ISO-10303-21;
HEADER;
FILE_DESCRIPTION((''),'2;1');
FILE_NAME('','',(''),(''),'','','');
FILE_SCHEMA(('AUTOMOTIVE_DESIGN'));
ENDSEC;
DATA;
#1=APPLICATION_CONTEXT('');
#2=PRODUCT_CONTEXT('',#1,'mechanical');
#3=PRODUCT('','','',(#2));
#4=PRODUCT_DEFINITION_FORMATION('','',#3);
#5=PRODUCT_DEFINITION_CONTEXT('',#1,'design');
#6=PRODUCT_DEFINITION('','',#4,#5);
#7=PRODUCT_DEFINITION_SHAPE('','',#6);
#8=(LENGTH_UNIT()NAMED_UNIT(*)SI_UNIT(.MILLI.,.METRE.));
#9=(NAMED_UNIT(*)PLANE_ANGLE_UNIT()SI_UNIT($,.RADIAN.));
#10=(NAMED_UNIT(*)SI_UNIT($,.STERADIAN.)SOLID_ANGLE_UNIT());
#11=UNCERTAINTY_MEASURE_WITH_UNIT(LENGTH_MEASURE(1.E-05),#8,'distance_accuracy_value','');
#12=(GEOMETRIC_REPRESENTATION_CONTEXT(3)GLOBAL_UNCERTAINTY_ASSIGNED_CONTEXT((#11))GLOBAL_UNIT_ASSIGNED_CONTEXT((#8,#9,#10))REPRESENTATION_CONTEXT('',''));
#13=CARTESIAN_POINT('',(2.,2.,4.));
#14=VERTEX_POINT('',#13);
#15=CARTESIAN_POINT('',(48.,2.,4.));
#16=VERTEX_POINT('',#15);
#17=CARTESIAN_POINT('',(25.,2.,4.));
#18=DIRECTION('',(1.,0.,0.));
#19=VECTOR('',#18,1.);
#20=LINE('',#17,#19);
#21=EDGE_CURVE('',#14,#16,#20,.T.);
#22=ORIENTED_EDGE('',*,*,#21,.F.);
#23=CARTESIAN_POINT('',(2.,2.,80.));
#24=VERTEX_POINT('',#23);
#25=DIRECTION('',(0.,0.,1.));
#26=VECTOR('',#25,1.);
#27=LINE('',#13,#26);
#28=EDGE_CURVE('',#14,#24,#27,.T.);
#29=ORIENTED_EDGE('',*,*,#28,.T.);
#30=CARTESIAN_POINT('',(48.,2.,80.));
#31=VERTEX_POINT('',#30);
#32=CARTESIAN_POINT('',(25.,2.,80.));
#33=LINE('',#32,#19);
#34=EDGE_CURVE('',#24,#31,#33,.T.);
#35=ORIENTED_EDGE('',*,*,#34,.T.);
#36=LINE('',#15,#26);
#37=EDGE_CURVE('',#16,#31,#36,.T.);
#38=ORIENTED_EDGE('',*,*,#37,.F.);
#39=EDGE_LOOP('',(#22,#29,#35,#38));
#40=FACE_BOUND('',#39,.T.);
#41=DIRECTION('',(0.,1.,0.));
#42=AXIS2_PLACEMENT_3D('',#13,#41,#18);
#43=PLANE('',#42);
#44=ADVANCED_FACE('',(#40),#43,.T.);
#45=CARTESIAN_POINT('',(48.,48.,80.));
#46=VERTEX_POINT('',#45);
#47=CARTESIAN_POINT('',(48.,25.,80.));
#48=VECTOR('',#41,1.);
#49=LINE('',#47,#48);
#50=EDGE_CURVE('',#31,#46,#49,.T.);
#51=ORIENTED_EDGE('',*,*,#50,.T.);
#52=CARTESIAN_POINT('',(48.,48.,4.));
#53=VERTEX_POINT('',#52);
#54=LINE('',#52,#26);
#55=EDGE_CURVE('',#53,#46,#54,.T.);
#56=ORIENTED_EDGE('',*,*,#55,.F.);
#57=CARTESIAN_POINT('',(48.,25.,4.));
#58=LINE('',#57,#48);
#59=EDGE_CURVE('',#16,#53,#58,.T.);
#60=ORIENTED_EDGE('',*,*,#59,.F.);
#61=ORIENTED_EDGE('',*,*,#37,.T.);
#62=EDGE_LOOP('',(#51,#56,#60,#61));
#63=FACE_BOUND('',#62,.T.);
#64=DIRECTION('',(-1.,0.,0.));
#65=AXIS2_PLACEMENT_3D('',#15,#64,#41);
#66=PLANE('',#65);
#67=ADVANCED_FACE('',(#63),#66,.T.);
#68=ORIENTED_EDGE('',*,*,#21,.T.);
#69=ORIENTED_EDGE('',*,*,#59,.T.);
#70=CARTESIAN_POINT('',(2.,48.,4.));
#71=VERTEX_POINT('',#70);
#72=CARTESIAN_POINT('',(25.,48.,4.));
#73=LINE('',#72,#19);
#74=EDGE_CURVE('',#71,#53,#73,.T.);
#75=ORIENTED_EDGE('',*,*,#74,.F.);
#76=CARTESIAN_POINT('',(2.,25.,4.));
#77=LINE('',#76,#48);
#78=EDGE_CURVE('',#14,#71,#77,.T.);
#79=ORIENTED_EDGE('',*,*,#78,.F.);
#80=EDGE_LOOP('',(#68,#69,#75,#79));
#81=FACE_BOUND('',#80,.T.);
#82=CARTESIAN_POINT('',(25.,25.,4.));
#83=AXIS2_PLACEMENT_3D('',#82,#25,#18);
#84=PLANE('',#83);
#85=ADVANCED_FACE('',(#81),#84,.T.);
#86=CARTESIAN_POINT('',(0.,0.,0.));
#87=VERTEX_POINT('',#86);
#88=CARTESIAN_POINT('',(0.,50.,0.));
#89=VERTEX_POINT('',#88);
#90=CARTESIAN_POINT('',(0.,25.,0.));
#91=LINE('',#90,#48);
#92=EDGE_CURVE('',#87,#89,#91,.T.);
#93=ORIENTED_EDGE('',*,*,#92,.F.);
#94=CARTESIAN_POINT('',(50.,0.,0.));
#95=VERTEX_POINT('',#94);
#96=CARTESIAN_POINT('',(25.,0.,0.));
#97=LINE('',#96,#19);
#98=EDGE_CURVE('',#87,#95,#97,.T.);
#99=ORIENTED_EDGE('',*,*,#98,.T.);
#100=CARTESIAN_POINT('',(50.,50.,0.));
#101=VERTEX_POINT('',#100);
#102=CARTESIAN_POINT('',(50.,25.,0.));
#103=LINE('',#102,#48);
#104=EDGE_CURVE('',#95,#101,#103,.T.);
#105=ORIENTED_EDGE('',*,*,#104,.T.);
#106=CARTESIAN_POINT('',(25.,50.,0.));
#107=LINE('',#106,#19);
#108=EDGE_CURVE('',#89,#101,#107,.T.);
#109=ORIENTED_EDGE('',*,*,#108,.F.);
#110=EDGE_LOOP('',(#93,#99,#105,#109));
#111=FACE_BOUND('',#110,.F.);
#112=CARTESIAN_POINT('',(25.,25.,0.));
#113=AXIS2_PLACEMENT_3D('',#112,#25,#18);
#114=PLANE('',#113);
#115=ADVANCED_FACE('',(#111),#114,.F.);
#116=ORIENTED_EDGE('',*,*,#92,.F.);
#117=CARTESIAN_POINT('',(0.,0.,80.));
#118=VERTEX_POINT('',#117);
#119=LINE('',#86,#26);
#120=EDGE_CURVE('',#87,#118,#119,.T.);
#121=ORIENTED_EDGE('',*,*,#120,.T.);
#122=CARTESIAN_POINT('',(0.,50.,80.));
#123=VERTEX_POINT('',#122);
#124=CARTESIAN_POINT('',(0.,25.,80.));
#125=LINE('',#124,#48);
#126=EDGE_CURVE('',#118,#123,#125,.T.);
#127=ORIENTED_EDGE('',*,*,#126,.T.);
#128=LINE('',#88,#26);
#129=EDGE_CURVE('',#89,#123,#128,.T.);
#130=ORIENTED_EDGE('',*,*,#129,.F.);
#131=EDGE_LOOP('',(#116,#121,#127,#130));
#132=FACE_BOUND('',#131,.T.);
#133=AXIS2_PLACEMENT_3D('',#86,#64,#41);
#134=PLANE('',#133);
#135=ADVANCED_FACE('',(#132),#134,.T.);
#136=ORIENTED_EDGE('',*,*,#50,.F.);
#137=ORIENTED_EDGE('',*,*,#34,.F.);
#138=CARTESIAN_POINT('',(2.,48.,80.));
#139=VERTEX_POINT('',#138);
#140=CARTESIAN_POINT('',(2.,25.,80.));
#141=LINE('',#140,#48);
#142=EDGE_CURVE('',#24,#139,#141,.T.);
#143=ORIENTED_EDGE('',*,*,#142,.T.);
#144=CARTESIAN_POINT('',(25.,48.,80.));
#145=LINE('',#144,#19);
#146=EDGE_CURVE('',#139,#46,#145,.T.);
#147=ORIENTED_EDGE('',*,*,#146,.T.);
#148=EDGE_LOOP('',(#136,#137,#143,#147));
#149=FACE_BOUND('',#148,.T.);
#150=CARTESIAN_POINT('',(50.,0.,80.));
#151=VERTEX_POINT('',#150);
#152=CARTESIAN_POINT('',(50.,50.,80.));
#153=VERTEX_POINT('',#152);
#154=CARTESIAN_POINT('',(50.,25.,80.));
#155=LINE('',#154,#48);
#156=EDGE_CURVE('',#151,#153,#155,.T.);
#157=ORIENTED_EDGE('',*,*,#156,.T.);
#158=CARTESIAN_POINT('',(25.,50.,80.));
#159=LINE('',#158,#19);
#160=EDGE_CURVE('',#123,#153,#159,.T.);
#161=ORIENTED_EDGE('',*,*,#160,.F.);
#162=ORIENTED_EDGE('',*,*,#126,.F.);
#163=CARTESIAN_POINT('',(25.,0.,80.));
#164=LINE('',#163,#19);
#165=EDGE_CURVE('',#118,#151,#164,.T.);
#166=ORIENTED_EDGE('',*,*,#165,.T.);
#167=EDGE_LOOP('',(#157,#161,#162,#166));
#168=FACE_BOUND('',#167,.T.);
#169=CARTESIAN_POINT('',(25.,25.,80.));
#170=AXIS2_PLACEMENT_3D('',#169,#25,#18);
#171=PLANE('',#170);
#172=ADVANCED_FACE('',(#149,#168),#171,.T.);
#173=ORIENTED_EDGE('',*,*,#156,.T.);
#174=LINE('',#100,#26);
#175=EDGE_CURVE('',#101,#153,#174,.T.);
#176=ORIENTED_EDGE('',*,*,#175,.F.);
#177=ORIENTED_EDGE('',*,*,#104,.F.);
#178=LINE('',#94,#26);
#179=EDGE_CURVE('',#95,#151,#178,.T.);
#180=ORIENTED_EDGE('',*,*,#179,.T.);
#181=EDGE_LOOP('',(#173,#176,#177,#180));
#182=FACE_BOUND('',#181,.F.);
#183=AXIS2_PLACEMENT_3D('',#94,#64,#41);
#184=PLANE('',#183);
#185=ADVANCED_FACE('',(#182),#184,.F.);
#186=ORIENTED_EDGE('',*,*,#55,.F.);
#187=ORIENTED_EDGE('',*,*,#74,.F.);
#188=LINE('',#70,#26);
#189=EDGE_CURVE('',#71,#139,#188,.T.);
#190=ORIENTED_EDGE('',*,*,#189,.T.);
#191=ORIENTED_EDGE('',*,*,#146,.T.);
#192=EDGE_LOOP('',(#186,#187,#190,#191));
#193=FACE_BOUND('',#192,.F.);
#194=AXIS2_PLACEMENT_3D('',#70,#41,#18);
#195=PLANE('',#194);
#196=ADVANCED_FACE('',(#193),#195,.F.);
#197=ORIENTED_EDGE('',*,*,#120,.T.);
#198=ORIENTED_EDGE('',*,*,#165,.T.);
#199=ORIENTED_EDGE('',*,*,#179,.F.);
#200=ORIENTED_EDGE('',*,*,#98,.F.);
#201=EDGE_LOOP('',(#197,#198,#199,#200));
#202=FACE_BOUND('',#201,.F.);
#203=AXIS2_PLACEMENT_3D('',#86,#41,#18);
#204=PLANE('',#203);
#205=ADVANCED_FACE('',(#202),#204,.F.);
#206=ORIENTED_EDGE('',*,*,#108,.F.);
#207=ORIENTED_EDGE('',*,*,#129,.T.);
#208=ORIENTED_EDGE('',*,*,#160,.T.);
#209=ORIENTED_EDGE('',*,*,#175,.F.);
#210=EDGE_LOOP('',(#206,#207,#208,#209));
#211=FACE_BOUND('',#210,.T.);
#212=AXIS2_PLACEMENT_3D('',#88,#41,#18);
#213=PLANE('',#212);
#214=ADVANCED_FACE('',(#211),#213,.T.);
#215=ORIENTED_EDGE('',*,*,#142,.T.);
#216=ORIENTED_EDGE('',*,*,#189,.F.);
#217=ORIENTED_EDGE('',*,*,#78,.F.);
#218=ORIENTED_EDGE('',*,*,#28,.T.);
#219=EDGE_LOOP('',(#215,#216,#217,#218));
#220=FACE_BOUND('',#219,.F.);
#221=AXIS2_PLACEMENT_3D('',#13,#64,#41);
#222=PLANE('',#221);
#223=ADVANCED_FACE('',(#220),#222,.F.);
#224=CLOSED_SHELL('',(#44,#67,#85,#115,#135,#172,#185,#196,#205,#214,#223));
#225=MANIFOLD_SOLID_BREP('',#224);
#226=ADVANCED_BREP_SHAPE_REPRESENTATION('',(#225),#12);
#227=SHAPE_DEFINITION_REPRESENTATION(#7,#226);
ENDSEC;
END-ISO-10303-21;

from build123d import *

# Parameters (mm, degrees)
BOX001_W     = 46
BOX001_H     = 46
BOX001_DEPTH = 76
BOX_W        = 50
BOX_H        = 50
BOX_DEPTH    = 80


with BuildPart() as cub001:
    # Box001 → Box001 (new body)
    with BuildSketch(Plane(origin=(2, 2, 4), x_dir=(1, 0, 0), z_dir=(0, 0, 1))):
        with Locations((23, 23)):
            Rectangle(BOX001_W, BOX001_H)
    extrude(amount=BOX001_DEPTH)


with BuildPart() as cut:
    # Box → Box (new body)
    with BuildSketch(Plane.XY):
        with Locations((25, 25)):
            Rectangle(BOX_W, BOX_H)
    extrude(amount=BOX_DEPTH)

    # Cut: cut Cub001
    add(cub001.part, mode=Mode.SUBTRACT)


solid = cut.part
